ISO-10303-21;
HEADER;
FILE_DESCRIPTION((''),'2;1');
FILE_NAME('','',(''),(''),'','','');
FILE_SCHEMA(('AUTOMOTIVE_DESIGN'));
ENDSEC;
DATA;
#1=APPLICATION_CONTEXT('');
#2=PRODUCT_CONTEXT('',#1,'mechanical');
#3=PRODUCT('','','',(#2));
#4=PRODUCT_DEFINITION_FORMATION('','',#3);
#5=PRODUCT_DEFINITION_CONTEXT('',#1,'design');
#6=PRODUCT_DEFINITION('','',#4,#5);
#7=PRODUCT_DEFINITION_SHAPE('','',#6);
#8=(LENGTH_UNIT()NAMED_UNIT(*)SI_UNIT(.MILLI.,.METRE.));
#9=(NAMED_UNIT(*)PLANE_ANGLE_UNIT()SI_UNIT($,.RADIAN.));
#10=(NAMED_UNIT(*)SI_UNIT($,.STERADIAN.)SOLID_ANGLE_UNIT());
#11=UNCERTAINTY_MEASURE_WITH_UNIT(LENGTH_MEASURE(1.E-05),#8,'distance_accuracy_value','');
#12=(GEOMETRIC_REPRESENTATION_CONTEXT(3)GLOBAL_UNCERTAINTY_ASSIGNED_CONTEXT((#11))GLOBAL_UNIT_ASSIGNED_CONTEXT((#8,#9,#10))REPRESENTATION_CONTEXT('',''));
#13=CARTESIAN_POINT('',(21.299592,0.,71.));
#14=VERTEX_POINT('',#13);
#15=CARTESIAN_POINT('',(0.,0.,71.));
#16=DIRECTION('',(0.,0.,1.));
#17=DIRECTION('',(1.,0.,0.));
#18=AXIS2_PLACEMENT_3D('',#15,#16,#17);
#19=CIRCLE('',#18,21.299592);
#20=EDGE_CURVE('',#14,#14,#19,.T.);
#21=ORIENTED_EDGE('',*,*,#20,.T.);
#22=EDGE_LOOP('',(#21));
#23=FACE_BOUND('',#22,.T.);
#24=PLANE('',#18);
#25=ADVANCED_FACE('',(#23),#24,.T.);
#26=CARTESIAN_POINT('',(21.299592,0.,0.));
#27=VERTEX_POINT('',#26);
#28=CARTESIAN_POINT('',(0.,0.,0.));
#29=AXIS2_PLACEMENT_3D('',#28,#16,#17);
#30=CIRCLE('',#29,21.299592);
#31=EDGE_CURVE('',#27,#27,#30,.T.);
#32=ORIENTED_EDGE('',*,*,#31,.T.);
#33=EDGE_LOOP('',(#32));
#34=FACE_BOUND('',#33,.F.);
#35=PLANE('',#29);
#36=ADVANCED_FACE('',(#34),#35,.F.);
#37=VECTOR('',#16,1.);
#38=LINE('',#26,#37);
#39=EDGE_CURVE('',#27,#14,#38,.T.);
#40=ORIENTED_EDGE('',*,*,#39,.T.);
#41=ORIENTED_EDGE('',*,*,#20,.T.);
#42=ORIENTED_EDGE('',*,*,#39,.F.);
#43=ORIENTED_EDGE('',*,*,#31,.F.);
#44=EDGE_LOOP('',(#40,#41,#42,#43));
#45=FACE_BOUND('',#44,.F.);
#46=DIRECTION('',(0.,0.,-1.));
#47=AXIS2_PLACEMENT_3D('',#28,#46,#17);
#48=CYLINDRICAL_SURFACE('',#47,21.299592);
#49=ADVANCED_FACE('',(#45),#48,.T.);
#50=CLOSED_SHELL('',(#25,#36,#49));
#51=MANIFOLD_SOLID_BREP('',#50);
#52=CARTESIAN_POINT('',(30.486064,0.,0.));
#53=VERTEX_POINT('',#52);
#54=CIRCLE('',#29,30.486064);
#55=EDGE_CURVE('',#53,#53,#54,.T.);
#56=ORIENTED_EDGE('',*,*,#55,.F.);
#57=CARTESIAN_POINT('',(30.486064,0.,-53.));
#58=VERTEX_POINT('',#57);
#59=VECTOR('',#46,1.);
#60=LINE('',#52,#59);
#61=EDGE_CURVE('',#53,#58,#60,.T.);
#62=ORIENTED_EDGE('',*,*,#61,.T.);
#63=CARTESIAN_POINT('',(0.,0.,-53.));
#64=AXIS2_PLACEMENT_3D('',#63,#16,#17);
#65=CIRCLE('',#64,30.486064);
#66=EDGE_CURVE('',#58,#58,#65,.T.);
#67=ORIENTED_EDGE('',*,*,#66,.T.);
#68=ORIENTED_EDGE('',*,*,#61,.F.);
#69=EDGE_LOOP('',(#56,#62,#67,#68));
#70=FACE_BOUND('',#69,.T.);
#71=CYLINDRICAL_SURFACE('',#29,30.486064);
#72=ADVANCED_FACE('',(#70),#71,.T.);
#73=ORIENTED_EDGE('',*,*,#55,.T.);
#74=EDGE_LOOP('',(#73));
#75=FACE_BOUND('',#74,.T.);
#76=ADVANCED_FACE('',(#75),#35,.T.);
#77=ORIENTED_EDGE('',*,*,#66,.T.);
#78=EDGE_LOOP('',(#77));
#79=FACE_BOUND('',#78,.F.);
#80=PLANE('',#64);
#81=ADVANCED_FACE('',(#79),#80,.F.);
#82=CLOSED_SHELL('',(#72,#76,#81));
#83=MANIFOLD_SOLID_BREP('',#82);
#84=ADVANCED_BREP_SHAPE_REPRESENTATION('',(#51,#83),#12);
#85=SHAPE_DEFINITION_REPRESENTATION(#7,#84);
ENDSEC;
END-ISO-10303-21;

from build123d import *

# Parameters (mm, degrees)
F0_R     = 30.486064
F1_DEPTH = 53
F2_R     = 21.299592
F3_DEPTH = 71


with BuildPart() as f1:
    # F0 (on Top) → F1 (new body)
    with BuildSketch(Plane.XY):
        Circle(F0_R)
    extrude(amount=-F1_DEPTH)


with BuildPart() as f3:
    # F2 (on face) → F3 (new body)
    with BuildSketch(Plane.XY):
        Circle(F2_R)
    extrude(amount=F3_DEPTH)


solid = Compound([f1.part, f3.part])
